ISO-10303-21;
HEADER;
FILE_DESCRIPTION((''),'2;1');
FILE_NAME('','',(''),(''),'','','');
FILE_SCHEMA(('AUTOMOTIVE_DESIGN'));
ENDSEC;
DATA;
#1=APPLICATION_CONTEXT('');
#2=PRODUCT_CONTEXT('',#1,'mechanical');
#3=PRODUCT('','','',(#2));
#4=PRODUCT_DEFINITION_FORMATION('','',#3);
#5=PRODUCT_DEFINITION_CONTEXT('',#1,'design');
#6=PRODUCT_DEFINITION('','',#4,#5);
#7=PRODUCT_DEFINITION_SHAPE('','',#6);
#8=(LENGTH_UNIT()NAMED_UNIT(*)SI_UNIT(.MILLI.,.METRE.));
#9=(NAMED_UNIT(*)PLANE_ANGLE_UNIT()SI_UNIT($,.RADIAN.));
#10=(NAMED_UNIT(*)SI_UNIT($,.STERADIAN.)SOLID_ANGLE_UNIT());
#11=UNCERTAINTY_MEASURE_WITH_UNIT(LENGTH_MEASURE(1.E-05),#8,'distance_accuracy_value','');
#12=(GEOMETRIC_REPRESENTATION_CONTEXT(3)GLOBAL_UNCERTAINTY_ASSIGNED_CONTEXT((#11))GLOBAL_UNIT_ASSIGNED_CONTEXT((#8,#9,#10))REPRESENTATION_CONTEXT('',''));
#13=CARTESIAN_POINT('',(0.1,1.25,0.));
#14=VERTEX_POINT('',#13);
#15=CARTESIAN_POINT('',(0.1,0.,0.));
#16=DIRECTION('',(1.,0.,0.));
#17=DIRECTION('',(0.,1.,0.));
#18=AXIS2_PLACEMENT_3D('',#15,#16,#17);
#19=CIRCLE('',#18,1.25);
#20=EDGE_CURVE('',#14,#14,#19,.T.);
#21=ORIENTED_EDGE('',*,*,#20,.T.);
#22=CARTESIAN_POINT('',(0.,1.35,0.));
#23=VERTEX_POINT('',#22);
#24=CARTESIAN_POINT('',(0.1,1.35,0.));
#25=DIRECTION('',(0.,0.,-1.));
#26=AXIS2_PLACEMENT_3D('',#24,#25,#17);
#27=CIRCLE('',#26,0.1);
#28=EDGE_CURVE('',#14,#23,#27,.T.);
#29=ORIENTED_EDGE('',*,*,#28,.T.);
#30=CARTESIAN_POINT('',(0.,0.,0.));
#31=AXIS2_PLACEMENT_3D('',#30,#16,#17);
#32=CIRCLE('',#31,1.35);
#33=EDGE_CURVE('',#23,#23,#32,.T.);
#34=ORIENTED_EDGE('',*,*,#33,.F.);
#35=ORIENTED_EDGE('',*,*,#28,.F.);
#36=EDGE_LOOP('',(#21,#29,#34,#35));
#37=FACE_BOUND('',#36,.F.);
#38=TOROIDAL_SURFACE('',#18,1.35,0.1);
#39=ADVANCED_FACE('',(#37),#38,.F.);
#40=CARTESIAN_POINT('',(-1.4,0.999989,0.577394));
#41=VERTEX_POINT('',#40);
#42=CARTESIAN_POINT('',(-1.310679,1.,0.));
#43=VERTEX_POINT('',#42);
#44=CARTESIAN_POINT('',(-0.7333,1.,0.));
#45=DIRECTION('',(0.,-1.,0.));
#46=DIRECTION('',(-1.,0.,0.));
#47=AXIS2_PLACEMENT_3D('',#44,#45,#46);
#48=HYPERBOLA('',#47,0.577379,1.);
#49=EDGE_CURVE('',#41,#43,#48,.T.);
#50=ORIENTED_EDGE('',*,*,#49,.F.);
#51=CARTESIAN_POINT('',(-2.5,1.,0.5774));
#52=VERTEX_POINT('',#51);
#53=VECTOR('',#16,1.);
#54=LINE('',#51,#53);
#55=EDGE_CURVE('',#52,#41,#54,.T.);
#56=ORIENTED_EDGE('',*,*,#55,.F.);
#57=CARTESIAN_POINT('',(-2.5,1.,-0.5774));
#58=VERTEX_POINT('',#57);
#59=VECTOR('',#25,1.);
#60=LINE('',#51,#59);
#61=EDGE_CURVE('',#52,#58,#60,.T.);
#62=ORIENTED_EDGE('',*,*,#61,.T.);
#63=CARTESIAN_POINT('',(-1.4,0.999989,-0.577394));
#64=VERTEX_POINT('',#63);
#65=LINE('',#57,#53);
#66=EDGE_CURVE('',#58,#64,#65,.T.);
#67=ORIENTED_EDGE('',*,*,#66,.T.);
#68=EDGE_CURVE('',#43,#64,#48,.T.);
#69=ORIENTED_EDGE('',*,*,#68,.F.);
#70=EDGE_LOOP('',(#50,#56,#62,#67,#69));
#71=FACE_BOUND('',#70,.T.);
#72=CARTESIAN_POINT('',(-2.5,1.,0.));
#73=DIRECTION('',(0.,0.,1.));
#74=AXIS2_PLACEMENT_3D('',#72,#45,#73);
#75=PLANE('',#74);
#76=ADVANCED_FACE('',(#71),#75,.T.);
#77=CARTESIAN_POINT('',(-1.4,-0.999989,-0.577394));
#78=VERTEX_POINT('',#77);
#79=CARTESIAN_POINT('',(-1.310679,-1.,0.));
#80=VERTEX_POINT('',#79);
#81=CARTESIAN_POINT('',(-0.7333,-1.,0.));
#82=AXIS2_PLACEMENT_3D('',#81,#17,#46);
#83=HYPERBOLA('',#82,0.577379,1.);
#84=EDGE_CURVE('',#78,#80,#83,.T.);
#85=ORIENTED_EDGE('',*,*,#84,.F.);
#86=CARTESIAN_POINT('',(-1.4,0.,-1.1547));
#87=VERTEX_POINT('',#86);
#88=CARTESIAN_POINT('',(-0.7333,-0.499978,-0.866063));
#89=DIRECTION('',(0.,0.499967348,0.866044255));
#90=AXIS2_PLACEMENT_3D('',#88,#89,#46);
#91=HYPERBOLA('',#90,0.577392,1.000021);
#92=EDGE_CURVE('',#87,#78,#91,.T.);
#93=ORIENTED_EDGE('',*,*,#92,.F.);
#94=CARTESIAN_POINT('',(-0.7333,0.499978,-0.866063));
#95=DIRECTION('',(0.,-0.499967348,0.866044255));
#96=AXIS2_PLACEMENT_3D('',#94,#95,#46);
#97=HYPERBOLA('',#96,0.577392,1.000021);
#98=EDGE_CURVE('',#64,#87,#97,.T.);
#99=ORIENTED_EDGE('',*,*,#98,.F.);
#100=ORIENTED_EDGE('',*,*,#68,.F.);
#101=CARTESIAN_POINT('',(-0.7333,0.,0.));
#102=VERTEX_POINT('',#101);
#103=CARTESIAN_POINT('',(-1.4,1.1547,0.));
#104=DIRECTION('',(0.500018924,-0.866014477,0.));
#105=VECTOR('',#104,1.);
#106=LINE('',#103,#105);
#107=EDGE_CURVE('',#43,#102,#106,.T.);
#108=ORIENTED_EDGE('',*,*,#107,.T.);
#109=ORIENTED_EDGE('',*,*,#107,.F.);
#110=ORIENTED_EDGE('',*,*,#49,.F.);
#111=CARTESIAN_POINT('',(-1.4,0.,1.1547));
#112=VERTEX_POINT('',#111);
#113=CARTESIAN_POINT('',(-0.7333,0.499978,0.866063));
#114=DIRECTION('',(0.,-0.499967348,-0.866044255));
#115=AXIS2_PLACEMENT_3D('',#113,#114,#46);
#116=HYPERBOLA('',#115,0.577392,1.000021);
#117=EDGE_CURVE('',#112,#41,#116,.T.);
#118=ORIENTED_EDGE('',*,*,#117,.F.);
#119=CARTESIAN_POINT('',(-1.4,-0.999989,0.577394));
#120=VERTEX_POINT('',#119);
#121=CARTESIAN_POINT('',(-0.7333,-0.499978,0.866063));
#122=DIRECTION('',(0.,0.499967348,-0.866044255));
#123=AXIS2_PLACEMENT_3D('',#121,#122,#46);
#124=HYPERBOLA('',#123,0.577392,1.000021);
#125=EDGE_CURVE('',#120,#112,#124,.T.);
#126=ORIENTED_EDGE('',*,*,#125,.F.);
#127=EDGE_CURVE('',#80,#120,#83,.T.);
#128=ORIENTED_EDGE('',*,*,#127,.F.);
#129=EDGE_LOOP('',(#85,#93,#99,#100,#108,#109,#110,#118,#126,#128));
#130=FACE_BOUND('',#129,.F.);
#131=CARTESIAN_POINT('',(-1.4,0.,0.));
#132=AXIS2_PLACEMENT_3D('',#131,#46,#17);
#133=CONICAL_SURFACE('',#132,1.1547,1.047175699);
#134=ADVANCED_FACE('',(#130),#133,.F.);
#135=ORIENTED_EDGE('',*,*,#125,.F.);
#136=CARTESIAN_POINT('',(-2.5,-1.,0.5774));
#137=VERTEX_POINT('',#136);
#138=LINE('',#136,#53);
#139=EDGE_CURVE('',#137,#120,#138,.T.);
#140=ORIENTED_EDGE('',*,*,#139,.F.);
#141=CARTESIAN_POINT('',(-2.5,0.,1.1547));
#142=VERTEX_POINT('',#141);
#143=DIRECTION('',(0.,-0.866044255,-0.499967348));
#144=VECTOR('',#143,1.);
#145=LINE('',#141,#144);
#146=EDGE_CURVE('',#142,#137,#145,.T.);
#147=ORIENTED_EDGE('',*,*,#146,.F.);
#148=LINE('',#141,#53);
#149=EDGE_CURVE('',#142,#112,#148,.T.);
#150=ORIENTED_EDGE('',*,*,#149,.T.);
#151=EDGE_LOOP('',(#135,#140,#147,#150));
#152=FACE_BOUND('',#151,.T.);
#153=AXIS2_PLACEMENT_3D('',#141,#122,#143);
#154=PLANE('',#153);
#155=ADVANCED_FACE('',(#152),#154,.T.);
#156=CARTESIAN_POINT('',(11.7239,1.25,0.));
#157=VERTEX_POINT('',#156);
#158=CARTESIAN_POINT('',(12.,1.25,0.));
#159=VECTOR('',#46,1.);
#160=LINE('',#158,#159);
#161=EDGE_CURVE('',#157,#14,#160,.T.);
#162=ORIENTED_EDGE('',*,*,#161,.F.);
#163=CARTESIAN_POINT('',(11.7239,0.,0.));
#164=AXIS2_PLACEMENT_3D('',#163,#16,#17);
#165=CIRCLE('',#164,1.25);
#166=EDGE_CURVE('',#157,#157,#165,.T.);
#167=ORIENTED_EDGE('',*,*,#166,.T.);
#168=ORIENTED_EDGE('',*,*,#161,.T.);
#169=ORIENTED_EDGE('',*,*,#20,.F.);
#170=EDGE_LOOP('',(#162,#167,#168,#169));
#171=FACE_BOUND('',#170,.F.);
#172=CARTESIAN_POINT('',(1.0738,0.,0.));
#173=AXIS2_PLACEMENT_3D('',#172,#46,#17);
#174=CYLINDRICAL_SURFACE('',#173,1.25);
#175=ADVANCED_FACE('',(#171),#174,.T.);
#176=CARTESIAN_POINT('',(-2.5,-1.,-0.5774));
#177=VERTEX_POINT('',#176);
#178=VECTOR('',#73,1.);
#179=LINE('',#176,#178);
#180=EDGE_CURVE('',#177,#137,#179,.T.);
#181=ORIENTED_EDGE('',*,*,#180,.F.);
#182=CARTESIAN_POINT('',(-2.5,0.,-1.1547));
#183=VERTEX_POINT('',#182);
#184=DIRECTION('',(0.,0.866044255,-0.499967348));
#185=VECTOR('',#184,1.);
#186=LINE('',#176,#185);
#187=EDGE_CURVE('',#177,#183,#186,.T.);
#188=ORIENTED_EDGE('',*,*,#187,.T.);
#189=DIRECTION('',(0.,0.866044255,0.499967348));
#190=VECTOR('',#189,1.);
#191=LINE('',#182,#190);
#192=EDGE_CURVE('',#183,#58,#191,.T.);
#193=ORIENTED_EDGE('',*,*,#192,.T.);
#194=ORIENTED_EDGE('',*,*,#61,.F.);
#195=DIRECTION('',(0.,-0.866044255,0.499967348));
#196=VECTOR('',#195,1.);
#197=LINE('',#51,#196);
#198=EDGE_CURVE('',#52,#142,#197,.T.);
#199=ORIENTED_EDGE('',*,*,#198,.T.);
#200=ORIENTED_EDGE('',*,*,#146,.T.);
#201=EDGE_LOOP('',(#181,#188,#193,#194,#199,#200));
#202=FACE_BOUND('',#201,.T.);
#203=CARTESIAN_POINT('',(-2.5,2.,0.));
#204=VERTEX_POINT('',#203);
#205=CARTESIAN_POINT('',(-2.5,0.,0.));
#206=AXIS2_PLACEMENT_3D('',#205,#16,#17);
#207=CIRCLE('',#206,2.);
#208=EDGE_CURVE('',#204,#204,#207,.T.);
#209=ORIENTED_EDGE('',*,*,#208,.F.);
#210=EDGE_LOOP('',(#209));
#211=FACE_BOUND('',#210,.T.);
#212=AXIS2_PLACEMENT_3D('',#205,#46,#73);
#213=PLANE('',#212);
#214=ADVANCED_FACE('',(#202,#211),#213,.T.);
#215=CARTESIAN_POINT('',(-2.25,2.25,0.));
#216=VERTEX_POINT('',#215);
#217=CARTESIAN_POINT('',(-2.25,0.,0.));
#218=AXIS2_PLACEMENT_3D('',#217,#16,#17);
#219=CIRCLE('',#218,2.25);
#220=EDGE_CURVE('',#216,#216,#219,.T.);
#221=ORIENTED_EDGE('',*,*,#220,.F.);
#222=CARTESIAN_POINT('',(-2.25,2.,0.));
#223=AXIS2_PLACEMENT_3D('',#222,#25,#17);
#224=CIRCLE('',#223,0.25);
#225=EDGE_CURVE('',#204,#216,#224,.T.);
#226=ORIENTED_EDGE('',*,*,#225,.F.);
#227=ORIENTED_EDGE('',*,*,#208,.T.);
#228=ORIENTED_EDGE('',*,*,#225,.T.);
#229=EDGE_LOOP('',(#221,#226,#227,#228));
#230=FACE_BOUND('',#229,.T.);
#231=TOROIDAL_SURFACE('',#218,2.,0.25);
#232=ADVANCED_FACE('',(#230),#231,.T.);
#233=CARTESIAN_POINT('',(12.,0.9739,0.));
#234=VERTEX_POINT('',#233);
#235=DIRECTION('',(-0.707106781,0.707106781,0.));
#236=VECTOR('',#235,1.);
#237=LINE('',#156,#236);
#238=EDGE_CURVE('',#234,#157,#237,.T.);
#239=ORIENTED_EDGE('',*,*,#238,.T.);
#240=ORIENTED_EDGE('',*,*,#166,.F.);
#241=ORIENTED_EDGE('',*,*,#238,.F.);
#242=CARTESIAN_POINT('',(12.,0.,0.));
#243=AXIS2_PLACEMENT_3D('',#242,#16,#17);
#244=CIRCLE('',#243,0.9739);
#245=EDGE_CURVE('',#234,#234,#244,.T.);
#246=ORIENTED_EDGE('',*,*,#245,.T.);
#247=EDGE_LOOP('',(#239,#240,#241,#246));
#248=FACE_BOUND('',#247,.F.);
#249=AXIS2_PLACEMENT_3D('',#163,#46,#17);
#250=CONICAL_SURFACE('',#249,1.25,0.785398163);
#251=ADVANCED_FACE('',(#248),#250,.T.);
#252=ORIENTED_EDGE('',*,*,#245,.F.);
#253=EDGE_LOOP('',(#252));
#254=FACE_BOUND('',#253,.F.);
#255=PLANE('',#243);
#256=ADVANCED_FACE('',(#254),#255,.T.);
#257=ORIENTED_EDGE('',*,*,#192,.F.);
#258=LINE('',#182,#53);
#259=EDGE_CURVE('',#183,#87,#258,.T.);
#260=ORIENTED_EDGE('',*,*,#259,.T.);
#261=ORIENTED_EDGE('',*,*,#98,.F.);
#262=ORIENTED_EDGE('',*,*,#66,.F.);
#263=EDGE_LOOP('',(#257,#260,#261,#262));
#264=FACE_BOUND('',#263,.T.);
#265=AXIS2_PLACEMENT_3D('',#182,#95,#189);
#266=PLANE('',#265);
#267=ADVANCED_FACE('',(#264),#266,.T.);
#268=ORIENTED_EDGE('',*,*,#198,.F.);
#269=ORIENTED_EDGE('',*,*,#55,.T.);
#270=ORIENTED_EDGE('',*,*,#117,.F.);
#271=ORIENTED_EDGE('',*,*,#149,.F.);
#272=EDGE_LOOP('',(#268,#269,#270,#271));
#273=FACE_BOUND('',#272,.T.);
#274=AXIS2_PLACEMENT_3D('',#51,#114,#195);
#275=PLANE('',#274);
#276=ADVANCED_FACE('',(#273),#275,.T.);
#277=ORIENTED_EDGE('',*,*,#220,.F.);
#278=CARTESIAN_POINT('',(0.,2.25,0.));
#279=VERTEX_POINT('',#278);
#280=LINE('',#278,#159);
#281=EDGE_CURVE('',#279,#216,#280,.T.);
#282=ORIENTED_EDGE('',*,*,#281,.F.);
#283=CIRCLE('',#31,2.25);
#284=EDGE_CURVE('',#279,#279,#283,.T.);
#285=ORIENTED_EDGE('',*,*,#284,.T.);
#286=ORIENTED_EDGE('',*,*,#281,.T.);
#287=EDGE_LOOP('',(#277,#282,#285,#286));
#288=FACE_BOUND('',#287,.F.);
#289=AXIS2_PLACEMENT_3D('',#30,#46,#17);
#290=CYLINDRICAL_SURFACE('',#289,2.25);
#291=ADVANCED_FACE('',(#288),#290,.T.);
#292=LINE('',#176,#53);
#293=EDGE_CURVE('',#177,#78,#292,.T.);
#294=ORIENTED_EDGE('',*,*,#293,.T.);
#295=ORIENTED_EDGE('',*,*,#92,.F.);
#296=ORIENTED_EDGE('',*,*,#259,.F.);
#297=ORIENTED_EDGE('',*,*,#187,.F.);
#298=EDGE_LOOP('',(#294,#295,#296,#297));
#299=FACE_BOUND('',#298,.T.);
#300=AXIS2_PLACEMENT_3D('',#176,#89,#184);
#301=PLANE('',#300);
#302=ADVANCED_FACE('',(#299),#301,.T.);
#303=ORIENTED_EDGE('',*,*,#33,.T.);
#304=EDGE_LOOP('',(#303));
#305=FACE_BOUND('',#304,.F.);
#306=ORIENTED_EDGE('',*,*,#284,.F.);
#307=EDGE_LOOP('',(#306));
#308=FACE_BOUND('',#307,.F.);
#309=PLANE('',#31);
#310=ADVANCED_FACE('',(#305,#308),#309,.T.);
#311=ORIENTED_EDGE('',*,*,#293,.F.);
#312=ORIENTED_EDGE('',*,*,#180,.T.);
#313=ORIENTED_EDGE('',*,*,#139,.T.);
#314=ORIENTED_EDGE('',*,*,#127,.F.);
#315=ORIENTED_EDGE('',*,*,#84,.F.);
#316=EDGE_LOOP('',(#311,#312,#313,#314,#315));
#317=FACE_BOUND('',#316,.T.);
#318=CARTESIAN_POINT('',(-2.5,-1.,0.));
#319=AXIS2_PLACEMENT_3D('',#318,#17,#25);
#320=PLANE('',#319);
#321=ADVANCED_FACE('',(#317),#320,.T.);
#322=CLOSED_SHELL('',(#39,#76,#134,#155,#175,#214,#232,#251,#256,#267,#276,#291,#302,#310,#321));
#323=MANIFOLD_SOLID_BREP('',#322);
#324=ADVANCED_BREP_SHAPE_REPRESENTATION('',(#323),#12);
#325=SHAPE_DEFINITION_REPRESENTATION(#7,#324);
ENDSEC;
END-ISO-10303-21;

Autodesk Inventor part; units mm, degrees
ref_plane "YZ Plane" through (0, 0, 0) normal (1, 0, 0) x (0, 1, 0)
ref_plane "XZ Plane" through (0, 0, 0) normal (0, 1, 0) x (-1, 0, 0)
sketch "Эскиз1" plane through (0, 0, 0) normal (0, 0, 1) x (1, 0, 0)
  line L0 (-0.7333, 0) -> (12, 0)
  line L1 (12, 0) -> (12, 1.25)
  line L2 (12, 1.25) -> (1.35, 1.25)
  line L3 (1.35, 1.25) -> (1.0738, 1.25)
  line L4 (1.0738, 1.25) -> (0, 1.25)
  line L5 (0, 1.25) -> (0, 2.25)
  line L6 (0, 2.25) -> (-2.5, 2.25)
  line L7 (-2.5, 2.25) -> (-2.5, 1.1547)
  line L8 (-2.5, 1.1547) -> (-1.4, 1.1547)
  line L9 (-1.4, 1.1547) -> (-0.7333, 0)
  line L10 (-5.4, 0) -> (14.9, 0) projected
  line L11 (0, -0.45) -> (0, 2.7) projected
  line L12 (1.35, 1.25) -> (0, 1.25) construction
  dimension "d1" = 10.65
  dimension "d2" = 0.2762
  dimension "d3" = 2.5
  dimension "d4" = 1.1
  dimension "d5" = 60
  dimension "d6" = 2.5
  dimension "d7" = 2.5
  dimension "d8" = 2.3094
  dimension "d9" = 4.5
  dimension "d26" = 12
revolve "Базовый элемент" add sketch "Эскиз1" angle 360 about axis through (-0.7333, 0, 0) along (1, 0, 0)
sketch "Эскиз2" plane through (-2.5, 0, 0) normal (-1, 0, 0) x (0, 0, 1)
  circle A0 centre (0, 0) radius 1.1547 projected
  line L0 (0, -3.15) -> (0, 3.15) projected
  line L1 (-3.15, 0) -> (3.15, 0) projected
  line L2 (1.1547, 0) -> (0.5774, -1)
  line L3 (0.5774, -1) -> (-0.5774, -1)
  line L4 (-0.5774, -1) -> (-1.1547, 0)
  line L5 (-1.1547, 0) -> (-0.5774, 1)
  line L6 (-0.5774, 1) -> (0.5774, 1)
  line L7 (0.5774, 1) -> (1.1547, 0)
extrude "Паз" add sketch "Эскиз2" against normal up to next contours L7 A0 | A0 L2 | L6 L0 A0 | A0 L0 L3 | L0 L6 A0 | A0 L3 L0 | L4 A0 | A0 L5
fillet "Сопряжение1" radius 0.25 1 edges at (-2.5, -2.25, 0)
thread "Резьба" size "M2.5x0.45" class "6g" standard "ISO Metric profile" length 10.65
chamfer "Фаска1" distance 0.2761 distance2 0.2761 1 edges at (12, -1.25, 0) measured on face at (12, -0.2714, -0.6096)
ref_plane "Work Plane1" through (29, 0, 0) normal (0, -1, 0) x (1, 0, 0)
fillet "Fillet2" radius 0.1 1 edges at (0, -1.25, 0)
equation "\"d1\" = GEL"
equation "\"d3\" = KOH"
equation "\"d4\" = INTI"
equation "\"d6\" = GD"
equation "\"d7\" = BDM"
equation "\"d8\" = 1.1547 * SW"
equation "\"d9\" = KOD"
equation "\"d26\" = NLG"
equation "\"d30\" = R"
equation "\"d17\" = RR"
equation "\"d13\" = GEL"
equation "\"d15\" = -0.5 * SPD + 0.5 * GD"
equation "\"d16\" = GUL"
equation "\"GD\" = 2.5"
equation "\"NLG\" = 12"
equation "\"GEL\" = 10.65"
equation "\"KOD\" = 4.5"
equation "\"KOH\" = 2.5"
equation "\"INTI\" = 1.1"
equation "\"GAL\" = 0.61345 * PTC"
equation "\"GUL\" = 0.61345 * PTC"
equation "\"BDM\" = NND"
equation "\"SW\" = 2"
equation "\"RR\" = 0.25"
equation "\"SPD\" = NND - 1.2269 * PTC"
equation "\"R\" = 0.1"
equation "\"TOA\" = 30deg"
equation "\"GD1\" = THREADDIA - 1.2269 * PTC"
equation "\"THREADDIA\" = 2.5"
equation "\"FAWI\" = 45deg"
equation "\"PTC\" = 0.45"
equation "\"NND\" = 2.5"
equation "\"E0\" = 1.155 * SW"
properties part number "ISO 4762  - M2,5 x 12" material "Сталь нержавеющая, 440C"
